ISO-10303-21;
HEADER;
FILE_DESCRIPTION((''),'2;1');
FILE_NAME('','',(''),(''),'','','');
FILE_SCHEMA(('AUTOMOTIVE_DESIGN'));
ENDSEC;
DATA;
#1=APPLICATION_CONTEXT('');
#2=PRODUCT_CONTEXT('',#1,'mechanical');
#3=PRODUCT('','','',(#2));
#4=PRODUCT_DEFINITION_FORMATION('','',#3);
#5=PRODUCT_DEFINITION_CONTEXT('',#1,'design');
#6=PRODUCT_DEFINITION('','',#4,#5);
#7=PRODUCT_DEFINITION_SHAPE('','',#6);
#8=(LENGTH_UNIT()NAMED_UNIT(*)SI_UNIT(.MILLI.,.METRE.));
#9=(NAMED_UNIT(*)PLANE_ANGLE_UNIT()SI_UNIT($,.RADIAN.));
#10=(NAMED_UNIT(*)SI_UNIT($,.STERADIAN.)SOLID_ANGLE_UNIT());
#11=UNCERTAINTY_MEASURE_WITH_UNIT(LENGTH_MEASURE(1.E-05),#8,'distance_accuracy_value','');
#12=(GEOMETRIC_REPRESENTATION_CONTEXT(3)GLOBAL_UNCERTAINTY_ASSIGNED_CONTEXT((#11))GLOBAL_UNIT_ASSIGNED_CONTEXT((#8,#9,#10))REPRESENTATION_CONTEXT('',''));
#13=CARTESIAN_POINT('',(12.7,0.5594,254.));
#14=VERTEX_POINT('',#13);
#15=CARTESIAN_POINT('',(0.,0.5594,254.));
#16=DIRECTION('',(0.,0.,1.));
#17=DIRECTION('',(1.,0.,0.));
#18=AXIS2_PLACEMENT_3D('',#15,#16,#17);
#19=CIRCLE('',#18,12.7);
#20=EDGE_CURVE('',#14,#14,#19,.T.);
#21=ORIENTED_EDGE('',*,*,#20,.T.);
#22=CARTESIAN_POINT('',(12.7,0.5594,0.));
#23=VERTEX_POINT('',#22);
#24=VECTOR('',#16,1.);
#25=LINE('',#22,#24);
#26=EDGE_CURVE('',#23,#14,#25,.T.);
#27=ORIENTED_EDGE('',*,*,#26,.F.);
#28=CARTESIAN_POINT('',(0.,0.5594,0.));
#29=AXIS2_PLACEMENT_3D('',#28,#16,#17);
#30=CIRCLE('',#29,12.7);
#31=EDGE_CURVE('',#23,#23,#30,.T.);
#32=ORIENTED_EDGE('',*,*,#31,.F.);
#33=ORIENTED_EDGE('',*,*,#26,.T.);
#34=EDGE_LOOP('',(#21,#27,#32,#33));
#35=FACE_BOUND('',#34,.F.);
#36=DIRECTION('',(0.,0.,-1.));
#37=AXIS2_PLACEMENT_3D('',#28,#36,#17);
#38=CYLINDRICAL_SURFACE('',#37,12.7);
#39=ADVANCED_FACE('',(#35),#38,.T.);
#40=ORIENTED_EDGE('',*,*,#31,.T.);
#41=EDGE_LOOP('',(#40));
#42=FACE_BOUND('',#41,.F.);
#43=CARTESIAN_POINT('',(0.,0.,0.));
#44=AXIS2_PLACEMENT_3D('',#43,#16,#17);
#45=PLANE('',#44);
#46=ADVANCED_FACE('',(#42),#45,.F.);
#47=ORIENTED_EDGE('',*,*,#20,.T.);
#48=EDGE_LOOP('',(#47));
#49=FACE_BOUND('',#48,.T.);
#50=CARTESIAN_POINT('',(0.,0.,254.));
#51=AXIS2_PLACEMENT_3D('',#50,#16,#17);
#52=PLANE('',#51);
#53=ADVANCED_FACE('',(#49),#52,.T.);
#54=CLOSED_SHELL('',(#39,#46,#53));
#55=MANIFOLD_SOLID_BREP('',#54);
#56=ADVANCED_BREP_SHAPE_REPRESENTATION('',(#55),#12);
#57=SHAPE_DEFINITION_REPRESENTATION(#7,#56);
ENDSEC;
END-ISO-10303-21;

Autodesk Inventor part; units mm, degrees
ref_plane "YZ Plane" through (0, 0, 0) normal (1, 0, 0) x (0, 1, 0)
ref_plane "XZ Plane" through (0, 0, 0) normal (0, 1, 0) x (-1, 0, 0)
ref_plane "XY Plane" through (0, 0, 0) normal (0, 0, 1) x (1, 0, 0)
sketch "Sketch1" plane through (0, 0, 0) normal (0, 0, 1) x (1, 0, 0)
  circle A0 centre (0, 0.5594) radius 12.7
  point P0 (0, 0)
  dimension "d0" = 25.4
  dimension "d0" = 25.4
extrude "Extrusion1" add sketch "Sketch1" along normal blind 254
properties part number "FRC Shooter Axle"
